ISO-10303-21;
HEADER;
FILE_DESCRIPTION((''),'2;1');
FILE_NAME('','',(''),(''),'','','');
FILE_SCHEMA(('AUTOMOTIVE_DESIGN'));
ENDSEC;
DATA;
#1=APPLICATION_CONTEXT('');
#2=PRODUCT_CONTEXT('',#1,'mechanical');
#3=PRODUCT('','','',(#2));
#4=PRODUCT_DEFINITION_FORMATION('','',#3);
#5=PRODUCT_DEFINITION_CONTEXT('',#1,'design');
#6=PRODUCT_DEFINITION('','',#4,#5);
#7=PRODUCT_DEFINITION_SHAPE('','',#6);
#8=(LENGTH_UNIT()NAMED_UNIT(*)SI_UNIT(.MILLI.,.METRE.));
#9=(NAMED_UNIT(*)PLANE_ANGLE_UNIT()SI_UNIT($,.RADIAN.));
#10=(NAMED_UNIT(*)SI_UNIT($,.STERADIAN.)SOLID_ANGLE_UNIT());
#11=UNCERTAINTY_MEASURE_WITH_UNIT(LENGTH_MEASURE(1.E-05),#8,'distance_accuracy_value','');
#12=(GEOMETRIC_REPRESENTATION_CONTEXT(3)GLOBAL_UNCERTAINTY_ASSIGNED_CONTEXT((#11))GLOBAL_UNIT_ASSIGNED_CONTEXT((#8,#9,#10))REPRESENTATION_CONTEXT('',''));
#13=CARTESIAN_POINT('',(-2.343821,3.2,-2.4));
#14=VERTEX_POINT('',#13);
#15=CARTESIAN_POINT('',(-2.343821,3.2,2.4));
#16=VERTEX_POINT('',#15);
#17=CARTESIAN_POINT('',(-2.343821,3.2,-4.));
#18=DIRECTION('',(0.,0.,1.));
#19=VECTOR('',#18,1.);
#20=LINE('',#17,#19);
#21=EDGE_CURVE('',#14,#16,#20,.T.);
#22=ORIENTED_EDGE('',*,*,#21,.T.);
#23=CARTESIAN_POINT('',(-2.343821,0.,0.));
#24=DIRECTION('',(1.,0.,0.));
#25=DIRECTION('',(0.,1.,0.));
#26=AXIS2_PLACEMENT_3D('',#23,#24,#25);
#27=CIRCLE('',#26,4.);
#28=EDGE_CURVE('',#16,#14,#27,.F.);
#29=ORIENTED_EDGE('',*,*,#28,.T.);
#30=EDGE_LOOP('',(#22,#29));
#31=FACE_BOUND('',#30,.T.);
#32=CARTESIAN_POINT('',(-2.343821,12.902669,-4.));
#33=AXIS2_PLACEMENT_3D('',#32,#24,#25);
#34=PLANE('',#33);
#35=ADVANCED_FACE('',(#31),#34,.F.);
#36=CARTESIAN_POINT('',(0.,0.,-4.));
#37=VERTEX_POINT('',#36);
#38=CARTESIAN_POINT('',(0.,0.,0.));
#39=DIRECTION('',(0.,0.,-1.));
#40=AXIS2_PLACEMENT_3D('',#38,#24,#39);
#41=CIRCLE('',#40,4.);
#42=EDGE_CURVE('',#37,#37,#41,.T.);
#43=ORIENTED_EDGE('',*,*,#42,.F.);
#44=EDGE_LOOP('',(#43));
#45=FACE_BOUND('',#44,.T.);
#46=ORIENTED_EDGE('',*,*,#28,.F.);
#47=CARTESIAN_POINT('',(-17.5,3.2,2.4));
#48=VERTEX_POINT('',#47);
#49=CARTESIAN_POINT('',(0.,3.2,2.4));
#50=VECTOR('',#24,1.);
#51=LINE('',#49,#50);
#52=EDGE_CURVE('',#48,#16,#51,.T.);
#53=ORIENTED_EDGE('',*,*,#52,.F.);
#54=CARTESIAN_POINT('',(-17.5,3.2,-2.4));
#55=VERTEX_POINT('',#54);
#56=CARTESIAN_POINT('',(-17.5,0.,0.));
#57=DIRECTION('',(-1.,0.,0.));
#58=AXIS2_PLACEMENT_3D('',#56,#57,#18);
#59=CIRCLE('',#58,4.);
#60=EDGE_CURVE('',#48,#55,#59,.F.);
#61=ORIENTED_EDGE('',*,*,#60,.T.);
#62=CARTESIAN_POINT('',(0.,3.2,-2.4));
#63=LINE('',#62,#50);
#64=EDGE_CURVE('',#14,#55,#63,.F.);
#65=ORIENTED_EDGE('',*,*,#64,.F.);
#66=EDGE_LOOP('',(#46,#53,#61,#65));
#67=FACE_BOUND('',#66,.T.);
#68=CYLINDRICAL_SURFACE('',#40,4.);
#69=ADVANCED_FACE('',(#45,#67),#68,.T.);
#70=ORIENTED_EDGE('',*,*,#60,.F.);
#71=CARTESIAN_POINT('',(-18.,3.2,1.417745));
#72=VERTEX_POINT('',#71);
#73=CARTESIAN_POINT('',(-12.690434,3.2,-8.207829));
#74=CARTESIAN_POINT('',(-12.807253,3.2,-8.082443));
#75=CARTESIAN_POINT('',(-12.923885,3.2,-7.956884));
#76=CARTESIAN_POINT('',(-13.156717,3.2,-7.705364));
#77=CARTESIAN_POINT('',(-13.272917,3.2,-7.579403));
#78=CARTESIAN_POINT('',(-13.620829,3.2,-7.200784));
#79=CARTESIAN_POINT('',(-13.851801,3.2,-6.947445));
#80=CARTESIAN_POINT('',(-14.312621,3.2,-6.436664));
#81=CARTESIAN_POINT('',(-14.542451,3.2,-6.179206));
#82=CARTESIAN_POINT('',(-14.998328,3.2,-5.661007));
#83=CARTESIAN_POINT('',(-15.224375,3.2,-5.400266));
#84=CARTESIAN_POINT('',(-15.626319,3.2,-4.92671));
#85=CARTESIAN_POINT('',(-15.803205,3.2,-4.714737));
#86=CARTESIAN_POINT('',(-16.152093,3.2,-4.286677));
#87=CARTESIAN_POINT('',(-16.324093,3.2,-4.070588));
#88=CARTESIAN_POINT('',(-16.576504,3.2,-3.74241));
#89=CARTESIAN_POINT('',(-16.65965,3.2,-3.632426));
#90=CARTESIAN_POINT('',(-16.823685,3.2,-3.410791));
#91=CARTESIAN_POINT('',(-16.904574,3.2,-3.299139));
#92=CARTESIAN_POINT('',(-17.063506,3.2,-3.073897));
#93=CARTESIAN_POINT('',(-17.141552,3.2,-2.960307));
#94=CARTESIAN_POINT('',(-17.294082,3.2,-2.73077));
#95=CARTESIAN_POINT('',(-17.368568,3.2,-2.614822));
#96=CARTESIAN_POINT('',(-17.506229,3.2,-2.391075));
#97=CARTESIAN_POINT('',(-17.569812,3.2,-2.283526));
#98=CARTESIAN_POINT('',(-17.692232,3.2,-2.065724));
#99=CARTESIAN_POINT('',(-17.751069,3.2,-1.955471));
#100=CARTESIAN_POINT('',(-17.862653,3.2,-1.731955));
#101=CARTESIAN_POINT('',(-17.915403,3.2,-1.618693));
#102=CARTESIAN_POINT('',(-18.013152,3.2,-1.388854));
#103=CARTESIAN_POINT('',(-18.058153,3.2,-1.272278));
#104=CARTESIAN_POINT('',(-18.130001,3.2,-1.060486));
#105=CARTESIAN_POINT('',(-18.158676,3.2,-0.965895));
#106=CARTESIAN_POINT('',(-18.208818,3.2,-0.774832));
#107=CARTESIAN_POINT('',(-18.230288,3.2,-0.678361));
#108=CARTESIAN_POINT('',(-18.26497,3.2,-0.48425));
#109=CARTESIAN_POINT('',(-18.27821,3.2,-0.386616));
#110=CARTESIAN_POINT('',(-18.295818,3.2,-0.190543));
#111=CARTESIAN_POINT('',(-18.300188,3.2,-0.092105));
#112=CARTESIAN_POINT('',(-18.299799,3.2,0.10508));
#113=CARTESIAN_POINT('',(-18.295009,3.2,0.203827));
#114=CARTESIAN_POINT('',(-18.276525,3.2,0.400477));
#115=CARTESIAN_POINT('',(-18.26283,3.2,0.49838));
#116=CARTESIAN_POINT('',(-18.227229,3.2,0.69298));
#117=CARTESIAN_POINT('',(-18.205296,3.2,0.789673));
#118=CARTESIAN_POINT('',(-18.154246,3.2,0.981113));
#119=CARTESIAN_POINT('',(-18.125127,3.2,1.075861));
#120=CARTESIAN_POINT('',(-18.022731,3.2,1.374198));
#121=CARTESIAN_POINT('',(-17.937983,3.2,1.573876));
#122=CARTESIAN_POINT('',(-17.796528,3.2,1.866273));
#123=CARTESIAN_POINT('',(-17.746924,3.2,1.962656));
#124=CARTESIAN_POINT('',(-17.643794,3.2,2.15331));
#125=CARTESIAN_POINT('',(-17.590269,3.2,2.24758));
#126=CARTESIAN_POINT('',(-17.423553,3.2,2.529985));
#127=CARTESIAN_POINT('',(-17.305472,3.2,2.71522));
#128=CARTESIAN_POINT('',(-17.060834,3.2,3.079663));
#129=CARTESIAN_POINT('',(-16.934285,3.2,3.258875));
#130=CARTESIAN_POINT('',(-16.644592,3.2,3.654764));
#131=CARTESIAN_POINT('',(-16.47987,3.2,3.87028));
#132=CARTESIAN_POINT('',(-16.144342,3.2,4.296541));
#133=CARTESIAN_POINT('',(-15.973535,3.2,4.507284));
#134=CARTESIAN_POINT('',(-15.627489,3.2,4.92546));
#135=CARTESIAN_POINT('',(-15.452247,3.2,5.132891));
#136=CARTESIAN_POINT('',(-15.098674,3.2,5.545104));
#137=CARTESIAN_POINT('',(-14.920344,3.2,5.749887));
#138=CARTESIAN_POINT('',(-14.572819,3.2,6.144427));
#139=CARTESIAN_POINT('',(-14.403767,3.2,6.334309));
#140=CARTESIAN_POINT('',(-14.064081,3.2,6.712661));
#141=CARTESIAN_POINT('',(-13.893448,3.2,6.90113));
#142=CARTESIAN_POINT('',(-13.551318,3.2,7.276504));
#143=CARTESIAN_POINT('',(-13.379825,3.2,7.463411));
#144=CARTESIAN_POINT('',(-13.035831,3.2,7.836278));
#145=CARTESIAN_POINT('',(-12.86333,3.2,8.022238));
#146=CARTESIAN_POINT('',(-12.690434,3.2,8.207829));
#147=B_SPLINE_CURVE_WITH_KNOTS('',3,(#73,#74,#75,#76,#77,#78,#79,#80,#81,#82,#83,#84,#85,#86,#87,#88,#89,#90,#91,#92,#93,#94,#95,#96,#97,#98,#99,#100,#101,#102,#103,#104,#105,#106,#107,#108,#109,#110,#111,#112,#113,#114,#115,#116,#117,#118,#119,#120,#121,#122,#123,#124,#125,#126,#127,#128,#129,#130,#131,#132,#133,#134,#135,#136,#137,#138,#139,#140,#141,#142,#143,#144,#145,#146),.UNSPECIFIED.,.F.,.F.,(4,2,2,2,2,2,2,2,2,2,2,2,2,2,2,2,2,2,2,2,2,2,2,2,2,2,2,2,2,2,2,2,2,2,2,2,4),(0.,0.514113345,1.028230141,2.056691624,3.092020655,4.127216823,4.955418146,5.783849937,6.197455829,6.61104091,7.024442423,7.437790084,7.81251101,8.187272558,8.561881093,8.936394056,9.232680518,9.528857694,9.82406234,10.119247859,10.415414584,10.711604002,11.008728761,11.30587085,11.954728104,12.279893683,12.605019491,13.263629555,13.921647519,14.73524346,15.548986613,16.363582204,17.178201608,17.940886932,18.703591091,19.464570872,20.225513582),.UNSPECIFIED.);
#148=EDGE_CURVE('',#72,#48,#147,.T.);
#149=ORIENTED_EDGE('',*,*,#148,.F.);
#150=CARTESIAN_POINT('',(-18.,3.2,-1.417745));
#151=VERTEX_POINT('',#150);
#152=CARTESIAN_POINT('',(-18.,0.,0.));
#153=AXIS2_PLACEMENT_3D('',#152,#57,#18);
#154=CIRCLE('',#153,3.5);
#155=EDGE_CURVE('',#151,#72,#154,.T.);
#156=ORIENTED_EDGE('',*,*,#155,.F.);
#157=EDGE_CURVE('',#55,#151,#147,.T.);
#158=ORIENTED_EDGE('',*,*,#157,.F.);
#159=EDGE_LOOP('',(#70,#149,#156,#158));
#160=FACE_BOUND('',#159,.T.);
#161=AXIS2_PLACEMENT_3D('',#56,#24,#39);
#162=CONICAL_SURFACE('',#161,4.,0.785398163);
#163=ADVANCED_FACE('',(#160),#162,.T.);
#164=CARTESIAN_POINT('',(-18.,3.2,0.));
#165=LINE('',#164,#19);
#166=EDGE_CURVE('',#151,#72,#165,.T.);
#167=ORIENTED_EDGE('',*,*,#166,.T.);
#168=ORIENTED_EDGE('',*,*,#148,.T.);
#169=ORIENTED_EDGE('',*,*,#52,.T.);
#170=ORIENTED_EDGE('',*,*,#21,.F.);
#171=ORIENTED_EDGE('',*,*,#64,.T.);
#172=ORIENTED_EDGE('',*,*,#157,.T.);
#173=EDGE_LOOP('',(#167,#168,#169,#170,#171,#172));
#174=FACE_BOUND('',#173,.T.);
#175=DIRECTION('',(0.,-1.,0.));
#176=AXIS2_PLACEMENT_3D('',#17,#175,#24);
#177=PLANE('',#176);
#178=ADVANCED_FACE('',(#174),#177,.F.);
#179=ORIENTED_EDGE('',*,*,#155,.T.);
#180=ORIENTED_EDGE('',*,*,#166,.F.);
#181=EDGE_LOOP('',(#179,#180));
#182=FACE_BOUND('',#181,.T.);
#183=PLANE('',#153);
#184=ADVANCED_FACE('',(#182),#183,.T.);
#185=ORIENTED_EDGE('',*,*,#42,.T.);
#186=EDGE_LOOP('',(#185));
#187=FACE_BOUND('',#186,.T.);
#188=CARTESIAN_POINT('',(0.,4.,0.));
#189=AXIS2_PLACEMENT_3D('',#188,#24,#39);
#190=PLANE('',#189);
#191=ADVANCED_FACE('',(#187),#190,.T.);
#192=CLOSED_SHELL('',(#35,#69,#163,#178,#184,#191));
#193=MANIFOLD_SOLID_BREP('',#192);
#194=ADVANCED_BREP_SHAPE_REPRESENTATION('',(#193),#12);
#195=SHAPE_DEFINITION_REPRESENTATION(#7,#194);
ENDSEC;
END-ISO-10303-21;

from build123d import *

# Parameters (mm, degrees)
ESQUISSE1_W                  = 18
ESQUISSE1_H                  = 4
CHANFREIN1_SIZE              = 0.5
ENL_V_MAT_EXTRU_1_DEPTH      = 19.867962264
ENL_V_MAT_EXTRU_1_DEPTH_BACK = 19.867962264
ESQUISSE2_W                  = 17.317421693
ESQUISSE2_H                  = 9.702668892


with BuildPart() as part:
    # Esquisse1 → Base-Révolution (revolve)
    with BuildSketch(Plane.XY, mode=Mode.PRIVATE) as base_r_volution_sk:
        with Locations((-9, 2)):
            Rectangle(ESQUISSE1_W, ESQUISSE1_H)
    revolve(base_r_volution_sk.sketch.rotate(Axis((0, 0, 0), (-1, 0, 0)), 90), axis=Axis((0, 0, 0), (-1, 0, 0)))

    # Chanfrein1
    chanfrein1_edges = [part.edges().sort_by_distance(p)[0] for p in [
        (-18, 0, 4),
    ]]
    chamfer(chanfrein1_edges, length=CHANFREIN1_SIZE)

    # Esquisse2 → Enlèv. mat.-Extru.1 (cut, two sides: drawn at the far end of the back side and taken through both)
    with BuildSketch(Plane.XY.offset(-ENL_V_MAT_EXTRU_1_DEPTH_BACK)):
        with Locations((-11.002531853, 8.051334446)):
            Rectangle(ESQUISSE2_W, ESQUISSE2_H)
    extrude(amount=ENL_V_MAT_EXTRU_1_DEPTH + ENL_V_MAT_EXTRU_1_DEPTH_BACK, mode=Mode.SUBTRACT)


solid = part.part
